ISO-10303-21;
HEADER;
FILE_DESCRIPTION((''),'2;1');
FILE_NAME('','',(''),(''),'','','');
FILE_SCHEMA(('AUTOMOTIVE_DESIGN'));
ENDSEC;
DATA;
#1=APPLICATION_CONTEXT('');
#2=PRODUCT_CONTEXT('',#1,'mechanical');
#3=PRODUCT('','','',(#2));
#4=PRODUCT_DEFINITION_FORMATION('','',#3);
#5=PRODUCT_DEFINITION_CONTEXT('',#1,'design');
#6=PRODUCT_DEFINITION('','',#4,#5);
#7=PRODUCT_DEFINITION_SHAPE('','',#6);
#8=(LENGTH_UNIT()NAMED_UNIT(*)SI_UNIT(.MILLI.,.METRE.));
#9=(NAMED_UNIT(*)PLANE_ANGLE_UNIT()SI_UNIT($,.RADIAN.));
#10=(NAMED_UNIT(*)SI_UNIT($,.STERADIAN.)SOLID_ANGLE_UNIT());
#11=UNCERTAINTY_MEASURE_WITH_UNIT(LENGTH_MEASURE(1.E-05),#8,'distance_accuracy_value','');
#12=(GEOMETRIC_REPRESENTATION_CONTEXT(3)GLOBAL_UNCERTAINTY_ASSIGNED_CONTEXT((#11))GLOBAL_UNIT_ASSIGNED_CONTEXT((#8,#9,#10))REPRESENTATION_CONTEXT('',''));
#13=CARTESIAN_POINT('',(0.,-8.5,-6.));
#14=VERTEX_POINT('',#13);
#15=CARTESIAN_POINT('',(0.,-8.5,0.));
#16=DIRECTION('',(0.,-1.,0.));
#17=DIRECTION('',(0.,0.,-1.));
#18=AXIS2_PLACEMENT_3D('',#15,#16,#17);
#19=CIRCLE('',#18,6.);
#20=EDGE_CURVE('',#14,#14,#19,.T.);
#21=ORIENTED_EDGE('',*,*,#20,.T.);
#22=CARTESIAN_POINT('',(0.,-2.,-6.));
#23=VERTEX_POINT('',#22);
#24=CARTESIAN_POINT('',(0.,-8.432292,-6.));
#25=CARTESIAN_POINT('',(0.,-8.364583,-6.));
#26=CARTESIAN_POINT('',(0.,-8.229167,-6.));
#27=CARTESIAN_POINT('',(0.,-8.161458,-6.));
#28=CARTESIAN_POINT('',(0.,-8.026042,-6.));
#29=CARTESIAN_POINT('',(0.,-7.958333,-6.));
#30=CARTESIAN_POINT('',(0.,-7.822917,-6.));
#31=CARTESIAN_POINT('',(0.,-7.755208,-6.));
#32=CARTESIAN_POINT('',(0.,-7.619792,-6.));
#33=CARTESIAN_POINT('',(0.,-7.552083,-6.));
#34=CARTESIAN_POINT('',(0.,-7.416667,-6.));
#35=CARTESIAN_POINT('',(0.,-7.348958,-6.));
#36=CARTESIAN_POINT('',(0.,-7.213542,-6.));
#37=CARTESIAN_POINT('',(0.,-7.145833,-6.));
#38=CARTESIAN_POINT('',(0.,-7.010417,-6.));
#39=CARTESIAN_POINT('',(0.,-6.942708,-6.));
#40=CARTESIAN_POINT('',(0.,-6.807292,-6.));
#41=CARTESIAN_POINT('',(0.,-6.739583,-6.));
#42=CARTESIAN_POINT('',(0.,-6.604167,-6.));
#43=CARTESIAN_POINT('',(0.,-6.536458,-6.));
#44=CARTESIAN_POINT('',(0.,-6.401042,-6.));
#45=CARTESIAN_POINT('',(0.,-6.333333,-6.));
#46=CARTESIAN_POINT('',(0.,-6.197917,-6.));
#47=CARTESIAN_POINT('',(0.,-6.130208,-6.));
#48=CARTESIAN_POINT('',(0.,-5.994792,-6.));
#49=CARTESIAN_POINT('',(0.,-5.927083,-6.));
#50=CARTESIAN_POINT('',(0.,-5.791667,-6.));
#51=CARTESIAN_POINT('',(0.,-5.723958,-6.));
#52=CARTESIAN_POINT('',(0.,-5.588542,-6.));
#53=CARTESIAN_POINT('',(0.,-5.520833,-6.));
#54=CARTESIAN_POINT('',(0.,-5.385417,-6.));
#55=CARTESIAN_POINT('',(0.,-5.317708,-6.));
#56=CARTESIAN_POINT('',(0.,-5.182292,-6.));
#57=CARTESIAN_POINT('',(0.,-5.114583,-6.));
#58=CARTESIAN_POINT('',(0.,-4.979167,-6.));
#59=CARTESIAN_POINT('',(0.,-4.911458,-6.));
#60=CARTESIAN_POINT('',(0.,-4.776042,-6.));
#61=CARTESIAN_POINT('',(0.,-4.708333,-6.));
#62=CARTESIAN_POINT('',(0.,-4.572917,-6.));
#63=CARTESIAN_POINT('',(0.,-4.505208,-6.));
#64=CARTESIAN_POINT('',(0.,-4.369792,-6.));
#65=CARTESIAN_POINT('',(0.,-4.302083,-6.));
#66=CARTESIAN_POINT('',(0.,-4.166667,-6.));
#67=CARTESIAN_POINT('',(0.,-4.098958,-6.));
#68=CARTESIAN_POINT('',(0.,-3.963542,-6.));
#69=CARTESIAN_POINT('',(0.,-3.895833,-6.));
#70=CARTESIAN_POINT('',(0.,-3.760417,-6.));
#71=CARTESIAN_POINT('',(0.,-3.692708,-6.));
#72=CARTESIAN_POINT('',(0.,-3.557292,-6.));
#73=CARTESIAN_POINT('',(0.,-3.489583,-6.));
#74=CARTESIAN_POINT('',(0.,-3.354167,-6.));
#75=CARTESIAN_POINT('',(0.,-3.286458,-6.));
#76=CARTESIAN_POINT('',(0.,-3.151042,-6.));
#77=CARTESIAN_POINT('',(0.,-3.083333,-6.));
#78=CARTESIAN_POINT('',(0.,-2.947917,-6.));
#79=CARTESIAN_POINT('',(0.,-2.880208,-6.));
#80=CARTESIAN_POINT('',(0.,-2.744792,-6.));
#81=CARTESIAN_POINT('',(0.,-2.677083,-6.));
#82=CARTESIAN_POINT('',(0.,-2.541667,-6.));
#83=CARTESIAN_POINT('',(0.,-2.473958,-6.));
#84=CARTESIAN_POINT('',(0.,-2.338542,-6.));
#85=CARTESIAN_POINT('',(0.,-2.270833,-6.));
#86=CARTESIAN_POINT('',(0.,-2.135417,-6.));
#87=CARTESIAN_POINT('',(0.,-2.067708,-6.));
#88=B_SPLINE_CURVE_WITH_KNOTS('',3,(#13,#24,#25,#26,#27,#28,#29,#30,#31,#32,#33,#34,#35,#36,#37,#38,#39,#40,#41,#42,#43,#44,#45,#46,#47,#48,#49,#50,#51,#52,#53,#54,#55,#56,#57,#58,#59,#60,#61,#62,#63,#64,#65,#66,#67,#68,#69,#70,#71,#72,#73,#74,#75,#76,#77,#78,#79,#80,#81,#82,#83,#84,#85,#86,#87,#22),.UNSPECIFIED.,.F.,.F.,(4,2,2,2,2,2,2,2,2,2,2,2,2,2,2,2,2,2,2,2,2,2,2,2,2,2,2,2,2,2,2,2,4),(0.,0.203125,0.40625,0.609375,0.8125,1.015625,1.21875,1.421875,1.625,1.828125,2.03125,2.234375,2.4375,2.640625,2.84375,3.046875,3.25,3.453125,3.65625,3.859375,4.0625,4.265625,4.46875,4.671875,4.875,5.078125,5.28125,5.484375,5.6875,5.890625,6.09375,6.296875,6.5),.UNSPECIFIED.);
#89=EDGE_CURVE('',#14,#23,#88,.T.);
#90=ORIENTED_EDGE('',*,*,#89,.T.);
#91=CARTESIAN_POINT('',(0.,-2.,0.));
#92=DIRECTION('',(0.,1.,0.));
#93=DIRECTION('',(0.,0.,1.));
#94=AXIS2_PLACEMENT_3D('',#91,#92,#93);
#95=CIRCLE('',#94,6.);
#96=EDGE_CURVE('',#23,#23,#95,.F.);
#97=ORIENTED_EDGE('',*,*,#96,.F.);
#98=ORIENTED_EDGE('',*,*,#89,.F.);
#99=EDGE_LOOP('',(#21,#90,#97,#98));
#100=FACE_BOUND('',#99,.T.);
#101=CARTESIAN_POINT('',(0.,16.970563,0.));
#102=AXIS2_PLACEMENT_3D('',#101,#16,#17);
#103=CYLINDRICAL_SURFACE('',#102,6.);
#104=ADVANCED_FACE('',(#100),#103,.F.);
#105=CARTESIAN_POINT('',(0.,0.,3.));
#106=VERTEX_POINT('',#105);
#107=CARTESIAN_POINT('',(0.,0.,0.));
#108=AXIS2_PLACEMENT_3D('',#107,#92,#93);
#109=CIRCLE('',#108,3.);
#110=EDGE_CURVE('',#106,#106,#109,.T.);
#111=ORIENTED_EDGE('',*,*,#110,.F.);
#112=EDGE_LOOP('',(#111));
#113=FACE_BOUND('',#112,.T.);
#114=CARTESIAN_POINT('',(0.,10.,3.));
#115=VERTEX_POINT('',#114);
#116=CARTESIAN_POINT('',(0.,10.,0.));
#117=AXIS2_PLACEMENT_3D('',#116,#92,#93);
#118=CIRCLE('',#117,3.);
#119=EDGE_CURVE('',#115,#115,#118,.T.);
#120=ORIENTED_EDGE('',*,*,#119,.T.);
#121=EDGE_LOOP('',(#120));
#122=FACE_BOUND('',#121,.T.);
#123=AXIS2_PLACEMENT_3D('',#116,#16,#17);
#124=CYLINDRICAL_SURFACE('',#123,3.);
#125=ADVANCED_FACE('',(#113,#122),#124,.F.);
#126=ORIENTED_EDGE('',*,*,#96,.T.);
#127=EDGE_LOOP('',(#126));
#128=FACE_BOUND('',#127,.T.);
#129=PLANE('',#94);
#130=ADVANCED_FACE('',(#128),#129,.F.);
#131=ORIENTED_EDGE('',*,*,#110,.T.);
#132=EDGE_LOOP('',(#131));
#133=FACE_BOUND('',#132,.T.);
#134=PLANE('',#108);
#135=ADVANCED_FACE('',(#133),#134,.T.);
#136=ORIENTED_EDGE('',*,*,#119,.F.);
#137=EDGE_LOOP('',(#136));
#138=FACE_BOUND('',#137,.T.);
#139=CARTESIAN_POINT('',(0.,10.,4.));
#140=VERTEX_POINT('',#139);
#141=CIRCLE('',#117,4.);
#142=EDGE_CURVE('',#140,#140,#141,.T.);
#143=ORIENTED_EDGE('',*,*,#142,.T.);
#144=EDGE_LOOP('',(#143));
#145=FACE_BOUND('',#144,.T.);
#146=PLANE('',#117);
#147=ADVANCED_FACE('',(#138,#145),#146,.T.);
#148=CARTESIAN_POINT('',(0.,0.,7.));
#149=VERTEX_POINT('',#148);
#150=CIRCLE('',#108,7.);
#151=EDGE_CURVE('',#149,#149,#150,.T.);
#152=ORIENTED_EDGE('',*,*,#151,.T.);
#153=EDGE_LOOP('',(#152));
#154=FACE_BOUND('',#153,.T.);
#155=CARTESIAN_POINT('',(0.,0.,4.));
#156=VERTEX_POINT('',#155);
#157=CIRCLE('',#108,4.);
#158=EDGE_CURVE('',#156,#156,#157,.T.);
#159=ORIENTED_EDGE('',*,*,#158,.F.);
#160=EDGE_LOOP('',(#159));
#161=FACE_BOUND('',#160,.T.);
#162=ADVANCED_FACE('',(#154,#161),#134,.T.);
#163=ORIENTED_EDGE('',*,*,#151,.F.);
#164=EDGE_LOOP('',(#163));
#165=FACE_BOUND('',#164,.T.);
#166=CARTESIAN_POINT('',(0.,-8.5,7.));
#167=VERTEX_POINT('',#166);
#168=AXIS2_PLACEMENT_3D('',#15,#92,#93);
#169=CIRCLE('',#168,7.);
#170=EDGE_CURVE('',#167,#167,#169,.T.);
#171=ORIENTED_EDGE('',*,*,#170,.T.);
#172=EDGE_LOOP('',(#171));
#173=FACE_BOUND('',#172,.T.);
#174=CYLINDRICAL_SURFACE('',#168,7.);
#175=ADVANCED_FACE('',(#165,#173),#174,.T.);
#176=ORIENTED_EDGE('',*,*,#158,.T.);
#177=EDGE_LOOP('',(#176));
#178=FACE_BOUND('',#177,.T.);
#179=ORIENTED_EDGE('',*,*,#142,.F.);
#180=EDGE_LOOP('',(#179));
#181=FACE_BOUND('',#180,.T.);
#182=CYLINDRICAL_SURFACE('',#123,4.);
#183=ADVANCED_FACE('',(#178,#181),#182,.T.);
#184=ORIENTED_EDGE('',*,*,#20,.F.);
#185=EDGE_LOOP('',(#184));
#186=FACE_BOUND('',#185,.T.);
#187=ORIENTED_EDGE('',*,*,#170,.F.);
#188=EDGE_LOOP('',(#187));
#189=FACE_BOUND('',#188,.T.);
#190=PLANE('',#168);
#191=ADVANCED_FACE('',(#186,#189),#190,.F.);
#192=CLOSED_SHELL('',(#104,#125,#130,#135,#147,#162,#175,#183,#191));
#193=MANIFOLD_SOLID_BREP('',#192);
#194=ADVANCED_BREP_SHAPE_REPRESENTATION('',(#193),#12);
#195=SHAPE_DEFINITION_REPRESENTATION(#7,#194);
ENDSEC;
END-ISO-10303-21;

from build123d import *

# Parameters (mm, degrees)
SKETCH1_R           = 4
SKETCH1_R_2         = 3
BOSS_EXTRUDE1_DEPTH = 10
SKETCH2_R           = 7
BOSS_EXTRUDE2_DEPTH = 8.5
SKETCH3_R           = 6
CUT_EXTRUDE1_DEPTH  = 6.5


with BuildPart() as part:
    # Sketch1 → Boss-Extrude1 (new body)
    with BuildSketch(Plane(origin=(0, 0, 0), x_dir=(1, 0, 0), z_dir=(0, 1, 0))):
        with Locations(Location((0, 0, 0), (0, 0, 270))):
            Circle(SKETCH1_R)
        with Locations(Location((0, 0, 0), (0, 0, 270))):
            Circle(SKETCH1_R_2, mode=Mode.SUBTRACT)
    extrude(amount=BOSS_EXTRUDE1_DEPTH)

    # Sketch2 → Boss-Extrude2 (add)
    with BuildSketch(Plane(origin=(0, 0, 0), x_dir=(1, 0, 0), z_dir=(0, 1, 0))):
        with Locations(Location((0, 0, 0), (0, 0, 270))):
            Circle(SKETCH2_R)
    extrude(amount=-BOSS_EXTRUDE2_DEPTH)

    # Sketch3 → Cut-Extrude1 (cut)
    with BuildSketch(Plane.XZ.offset(8.5)):
        with Locations(Location((0, 0, 0), (0, 0, 270))):
            Circle(SKETCH3_R)
    extrude(amount=-CUT_EXTRUDE1_DEPTH, mode=Mode.SUBTRACT)


solid = part.part
